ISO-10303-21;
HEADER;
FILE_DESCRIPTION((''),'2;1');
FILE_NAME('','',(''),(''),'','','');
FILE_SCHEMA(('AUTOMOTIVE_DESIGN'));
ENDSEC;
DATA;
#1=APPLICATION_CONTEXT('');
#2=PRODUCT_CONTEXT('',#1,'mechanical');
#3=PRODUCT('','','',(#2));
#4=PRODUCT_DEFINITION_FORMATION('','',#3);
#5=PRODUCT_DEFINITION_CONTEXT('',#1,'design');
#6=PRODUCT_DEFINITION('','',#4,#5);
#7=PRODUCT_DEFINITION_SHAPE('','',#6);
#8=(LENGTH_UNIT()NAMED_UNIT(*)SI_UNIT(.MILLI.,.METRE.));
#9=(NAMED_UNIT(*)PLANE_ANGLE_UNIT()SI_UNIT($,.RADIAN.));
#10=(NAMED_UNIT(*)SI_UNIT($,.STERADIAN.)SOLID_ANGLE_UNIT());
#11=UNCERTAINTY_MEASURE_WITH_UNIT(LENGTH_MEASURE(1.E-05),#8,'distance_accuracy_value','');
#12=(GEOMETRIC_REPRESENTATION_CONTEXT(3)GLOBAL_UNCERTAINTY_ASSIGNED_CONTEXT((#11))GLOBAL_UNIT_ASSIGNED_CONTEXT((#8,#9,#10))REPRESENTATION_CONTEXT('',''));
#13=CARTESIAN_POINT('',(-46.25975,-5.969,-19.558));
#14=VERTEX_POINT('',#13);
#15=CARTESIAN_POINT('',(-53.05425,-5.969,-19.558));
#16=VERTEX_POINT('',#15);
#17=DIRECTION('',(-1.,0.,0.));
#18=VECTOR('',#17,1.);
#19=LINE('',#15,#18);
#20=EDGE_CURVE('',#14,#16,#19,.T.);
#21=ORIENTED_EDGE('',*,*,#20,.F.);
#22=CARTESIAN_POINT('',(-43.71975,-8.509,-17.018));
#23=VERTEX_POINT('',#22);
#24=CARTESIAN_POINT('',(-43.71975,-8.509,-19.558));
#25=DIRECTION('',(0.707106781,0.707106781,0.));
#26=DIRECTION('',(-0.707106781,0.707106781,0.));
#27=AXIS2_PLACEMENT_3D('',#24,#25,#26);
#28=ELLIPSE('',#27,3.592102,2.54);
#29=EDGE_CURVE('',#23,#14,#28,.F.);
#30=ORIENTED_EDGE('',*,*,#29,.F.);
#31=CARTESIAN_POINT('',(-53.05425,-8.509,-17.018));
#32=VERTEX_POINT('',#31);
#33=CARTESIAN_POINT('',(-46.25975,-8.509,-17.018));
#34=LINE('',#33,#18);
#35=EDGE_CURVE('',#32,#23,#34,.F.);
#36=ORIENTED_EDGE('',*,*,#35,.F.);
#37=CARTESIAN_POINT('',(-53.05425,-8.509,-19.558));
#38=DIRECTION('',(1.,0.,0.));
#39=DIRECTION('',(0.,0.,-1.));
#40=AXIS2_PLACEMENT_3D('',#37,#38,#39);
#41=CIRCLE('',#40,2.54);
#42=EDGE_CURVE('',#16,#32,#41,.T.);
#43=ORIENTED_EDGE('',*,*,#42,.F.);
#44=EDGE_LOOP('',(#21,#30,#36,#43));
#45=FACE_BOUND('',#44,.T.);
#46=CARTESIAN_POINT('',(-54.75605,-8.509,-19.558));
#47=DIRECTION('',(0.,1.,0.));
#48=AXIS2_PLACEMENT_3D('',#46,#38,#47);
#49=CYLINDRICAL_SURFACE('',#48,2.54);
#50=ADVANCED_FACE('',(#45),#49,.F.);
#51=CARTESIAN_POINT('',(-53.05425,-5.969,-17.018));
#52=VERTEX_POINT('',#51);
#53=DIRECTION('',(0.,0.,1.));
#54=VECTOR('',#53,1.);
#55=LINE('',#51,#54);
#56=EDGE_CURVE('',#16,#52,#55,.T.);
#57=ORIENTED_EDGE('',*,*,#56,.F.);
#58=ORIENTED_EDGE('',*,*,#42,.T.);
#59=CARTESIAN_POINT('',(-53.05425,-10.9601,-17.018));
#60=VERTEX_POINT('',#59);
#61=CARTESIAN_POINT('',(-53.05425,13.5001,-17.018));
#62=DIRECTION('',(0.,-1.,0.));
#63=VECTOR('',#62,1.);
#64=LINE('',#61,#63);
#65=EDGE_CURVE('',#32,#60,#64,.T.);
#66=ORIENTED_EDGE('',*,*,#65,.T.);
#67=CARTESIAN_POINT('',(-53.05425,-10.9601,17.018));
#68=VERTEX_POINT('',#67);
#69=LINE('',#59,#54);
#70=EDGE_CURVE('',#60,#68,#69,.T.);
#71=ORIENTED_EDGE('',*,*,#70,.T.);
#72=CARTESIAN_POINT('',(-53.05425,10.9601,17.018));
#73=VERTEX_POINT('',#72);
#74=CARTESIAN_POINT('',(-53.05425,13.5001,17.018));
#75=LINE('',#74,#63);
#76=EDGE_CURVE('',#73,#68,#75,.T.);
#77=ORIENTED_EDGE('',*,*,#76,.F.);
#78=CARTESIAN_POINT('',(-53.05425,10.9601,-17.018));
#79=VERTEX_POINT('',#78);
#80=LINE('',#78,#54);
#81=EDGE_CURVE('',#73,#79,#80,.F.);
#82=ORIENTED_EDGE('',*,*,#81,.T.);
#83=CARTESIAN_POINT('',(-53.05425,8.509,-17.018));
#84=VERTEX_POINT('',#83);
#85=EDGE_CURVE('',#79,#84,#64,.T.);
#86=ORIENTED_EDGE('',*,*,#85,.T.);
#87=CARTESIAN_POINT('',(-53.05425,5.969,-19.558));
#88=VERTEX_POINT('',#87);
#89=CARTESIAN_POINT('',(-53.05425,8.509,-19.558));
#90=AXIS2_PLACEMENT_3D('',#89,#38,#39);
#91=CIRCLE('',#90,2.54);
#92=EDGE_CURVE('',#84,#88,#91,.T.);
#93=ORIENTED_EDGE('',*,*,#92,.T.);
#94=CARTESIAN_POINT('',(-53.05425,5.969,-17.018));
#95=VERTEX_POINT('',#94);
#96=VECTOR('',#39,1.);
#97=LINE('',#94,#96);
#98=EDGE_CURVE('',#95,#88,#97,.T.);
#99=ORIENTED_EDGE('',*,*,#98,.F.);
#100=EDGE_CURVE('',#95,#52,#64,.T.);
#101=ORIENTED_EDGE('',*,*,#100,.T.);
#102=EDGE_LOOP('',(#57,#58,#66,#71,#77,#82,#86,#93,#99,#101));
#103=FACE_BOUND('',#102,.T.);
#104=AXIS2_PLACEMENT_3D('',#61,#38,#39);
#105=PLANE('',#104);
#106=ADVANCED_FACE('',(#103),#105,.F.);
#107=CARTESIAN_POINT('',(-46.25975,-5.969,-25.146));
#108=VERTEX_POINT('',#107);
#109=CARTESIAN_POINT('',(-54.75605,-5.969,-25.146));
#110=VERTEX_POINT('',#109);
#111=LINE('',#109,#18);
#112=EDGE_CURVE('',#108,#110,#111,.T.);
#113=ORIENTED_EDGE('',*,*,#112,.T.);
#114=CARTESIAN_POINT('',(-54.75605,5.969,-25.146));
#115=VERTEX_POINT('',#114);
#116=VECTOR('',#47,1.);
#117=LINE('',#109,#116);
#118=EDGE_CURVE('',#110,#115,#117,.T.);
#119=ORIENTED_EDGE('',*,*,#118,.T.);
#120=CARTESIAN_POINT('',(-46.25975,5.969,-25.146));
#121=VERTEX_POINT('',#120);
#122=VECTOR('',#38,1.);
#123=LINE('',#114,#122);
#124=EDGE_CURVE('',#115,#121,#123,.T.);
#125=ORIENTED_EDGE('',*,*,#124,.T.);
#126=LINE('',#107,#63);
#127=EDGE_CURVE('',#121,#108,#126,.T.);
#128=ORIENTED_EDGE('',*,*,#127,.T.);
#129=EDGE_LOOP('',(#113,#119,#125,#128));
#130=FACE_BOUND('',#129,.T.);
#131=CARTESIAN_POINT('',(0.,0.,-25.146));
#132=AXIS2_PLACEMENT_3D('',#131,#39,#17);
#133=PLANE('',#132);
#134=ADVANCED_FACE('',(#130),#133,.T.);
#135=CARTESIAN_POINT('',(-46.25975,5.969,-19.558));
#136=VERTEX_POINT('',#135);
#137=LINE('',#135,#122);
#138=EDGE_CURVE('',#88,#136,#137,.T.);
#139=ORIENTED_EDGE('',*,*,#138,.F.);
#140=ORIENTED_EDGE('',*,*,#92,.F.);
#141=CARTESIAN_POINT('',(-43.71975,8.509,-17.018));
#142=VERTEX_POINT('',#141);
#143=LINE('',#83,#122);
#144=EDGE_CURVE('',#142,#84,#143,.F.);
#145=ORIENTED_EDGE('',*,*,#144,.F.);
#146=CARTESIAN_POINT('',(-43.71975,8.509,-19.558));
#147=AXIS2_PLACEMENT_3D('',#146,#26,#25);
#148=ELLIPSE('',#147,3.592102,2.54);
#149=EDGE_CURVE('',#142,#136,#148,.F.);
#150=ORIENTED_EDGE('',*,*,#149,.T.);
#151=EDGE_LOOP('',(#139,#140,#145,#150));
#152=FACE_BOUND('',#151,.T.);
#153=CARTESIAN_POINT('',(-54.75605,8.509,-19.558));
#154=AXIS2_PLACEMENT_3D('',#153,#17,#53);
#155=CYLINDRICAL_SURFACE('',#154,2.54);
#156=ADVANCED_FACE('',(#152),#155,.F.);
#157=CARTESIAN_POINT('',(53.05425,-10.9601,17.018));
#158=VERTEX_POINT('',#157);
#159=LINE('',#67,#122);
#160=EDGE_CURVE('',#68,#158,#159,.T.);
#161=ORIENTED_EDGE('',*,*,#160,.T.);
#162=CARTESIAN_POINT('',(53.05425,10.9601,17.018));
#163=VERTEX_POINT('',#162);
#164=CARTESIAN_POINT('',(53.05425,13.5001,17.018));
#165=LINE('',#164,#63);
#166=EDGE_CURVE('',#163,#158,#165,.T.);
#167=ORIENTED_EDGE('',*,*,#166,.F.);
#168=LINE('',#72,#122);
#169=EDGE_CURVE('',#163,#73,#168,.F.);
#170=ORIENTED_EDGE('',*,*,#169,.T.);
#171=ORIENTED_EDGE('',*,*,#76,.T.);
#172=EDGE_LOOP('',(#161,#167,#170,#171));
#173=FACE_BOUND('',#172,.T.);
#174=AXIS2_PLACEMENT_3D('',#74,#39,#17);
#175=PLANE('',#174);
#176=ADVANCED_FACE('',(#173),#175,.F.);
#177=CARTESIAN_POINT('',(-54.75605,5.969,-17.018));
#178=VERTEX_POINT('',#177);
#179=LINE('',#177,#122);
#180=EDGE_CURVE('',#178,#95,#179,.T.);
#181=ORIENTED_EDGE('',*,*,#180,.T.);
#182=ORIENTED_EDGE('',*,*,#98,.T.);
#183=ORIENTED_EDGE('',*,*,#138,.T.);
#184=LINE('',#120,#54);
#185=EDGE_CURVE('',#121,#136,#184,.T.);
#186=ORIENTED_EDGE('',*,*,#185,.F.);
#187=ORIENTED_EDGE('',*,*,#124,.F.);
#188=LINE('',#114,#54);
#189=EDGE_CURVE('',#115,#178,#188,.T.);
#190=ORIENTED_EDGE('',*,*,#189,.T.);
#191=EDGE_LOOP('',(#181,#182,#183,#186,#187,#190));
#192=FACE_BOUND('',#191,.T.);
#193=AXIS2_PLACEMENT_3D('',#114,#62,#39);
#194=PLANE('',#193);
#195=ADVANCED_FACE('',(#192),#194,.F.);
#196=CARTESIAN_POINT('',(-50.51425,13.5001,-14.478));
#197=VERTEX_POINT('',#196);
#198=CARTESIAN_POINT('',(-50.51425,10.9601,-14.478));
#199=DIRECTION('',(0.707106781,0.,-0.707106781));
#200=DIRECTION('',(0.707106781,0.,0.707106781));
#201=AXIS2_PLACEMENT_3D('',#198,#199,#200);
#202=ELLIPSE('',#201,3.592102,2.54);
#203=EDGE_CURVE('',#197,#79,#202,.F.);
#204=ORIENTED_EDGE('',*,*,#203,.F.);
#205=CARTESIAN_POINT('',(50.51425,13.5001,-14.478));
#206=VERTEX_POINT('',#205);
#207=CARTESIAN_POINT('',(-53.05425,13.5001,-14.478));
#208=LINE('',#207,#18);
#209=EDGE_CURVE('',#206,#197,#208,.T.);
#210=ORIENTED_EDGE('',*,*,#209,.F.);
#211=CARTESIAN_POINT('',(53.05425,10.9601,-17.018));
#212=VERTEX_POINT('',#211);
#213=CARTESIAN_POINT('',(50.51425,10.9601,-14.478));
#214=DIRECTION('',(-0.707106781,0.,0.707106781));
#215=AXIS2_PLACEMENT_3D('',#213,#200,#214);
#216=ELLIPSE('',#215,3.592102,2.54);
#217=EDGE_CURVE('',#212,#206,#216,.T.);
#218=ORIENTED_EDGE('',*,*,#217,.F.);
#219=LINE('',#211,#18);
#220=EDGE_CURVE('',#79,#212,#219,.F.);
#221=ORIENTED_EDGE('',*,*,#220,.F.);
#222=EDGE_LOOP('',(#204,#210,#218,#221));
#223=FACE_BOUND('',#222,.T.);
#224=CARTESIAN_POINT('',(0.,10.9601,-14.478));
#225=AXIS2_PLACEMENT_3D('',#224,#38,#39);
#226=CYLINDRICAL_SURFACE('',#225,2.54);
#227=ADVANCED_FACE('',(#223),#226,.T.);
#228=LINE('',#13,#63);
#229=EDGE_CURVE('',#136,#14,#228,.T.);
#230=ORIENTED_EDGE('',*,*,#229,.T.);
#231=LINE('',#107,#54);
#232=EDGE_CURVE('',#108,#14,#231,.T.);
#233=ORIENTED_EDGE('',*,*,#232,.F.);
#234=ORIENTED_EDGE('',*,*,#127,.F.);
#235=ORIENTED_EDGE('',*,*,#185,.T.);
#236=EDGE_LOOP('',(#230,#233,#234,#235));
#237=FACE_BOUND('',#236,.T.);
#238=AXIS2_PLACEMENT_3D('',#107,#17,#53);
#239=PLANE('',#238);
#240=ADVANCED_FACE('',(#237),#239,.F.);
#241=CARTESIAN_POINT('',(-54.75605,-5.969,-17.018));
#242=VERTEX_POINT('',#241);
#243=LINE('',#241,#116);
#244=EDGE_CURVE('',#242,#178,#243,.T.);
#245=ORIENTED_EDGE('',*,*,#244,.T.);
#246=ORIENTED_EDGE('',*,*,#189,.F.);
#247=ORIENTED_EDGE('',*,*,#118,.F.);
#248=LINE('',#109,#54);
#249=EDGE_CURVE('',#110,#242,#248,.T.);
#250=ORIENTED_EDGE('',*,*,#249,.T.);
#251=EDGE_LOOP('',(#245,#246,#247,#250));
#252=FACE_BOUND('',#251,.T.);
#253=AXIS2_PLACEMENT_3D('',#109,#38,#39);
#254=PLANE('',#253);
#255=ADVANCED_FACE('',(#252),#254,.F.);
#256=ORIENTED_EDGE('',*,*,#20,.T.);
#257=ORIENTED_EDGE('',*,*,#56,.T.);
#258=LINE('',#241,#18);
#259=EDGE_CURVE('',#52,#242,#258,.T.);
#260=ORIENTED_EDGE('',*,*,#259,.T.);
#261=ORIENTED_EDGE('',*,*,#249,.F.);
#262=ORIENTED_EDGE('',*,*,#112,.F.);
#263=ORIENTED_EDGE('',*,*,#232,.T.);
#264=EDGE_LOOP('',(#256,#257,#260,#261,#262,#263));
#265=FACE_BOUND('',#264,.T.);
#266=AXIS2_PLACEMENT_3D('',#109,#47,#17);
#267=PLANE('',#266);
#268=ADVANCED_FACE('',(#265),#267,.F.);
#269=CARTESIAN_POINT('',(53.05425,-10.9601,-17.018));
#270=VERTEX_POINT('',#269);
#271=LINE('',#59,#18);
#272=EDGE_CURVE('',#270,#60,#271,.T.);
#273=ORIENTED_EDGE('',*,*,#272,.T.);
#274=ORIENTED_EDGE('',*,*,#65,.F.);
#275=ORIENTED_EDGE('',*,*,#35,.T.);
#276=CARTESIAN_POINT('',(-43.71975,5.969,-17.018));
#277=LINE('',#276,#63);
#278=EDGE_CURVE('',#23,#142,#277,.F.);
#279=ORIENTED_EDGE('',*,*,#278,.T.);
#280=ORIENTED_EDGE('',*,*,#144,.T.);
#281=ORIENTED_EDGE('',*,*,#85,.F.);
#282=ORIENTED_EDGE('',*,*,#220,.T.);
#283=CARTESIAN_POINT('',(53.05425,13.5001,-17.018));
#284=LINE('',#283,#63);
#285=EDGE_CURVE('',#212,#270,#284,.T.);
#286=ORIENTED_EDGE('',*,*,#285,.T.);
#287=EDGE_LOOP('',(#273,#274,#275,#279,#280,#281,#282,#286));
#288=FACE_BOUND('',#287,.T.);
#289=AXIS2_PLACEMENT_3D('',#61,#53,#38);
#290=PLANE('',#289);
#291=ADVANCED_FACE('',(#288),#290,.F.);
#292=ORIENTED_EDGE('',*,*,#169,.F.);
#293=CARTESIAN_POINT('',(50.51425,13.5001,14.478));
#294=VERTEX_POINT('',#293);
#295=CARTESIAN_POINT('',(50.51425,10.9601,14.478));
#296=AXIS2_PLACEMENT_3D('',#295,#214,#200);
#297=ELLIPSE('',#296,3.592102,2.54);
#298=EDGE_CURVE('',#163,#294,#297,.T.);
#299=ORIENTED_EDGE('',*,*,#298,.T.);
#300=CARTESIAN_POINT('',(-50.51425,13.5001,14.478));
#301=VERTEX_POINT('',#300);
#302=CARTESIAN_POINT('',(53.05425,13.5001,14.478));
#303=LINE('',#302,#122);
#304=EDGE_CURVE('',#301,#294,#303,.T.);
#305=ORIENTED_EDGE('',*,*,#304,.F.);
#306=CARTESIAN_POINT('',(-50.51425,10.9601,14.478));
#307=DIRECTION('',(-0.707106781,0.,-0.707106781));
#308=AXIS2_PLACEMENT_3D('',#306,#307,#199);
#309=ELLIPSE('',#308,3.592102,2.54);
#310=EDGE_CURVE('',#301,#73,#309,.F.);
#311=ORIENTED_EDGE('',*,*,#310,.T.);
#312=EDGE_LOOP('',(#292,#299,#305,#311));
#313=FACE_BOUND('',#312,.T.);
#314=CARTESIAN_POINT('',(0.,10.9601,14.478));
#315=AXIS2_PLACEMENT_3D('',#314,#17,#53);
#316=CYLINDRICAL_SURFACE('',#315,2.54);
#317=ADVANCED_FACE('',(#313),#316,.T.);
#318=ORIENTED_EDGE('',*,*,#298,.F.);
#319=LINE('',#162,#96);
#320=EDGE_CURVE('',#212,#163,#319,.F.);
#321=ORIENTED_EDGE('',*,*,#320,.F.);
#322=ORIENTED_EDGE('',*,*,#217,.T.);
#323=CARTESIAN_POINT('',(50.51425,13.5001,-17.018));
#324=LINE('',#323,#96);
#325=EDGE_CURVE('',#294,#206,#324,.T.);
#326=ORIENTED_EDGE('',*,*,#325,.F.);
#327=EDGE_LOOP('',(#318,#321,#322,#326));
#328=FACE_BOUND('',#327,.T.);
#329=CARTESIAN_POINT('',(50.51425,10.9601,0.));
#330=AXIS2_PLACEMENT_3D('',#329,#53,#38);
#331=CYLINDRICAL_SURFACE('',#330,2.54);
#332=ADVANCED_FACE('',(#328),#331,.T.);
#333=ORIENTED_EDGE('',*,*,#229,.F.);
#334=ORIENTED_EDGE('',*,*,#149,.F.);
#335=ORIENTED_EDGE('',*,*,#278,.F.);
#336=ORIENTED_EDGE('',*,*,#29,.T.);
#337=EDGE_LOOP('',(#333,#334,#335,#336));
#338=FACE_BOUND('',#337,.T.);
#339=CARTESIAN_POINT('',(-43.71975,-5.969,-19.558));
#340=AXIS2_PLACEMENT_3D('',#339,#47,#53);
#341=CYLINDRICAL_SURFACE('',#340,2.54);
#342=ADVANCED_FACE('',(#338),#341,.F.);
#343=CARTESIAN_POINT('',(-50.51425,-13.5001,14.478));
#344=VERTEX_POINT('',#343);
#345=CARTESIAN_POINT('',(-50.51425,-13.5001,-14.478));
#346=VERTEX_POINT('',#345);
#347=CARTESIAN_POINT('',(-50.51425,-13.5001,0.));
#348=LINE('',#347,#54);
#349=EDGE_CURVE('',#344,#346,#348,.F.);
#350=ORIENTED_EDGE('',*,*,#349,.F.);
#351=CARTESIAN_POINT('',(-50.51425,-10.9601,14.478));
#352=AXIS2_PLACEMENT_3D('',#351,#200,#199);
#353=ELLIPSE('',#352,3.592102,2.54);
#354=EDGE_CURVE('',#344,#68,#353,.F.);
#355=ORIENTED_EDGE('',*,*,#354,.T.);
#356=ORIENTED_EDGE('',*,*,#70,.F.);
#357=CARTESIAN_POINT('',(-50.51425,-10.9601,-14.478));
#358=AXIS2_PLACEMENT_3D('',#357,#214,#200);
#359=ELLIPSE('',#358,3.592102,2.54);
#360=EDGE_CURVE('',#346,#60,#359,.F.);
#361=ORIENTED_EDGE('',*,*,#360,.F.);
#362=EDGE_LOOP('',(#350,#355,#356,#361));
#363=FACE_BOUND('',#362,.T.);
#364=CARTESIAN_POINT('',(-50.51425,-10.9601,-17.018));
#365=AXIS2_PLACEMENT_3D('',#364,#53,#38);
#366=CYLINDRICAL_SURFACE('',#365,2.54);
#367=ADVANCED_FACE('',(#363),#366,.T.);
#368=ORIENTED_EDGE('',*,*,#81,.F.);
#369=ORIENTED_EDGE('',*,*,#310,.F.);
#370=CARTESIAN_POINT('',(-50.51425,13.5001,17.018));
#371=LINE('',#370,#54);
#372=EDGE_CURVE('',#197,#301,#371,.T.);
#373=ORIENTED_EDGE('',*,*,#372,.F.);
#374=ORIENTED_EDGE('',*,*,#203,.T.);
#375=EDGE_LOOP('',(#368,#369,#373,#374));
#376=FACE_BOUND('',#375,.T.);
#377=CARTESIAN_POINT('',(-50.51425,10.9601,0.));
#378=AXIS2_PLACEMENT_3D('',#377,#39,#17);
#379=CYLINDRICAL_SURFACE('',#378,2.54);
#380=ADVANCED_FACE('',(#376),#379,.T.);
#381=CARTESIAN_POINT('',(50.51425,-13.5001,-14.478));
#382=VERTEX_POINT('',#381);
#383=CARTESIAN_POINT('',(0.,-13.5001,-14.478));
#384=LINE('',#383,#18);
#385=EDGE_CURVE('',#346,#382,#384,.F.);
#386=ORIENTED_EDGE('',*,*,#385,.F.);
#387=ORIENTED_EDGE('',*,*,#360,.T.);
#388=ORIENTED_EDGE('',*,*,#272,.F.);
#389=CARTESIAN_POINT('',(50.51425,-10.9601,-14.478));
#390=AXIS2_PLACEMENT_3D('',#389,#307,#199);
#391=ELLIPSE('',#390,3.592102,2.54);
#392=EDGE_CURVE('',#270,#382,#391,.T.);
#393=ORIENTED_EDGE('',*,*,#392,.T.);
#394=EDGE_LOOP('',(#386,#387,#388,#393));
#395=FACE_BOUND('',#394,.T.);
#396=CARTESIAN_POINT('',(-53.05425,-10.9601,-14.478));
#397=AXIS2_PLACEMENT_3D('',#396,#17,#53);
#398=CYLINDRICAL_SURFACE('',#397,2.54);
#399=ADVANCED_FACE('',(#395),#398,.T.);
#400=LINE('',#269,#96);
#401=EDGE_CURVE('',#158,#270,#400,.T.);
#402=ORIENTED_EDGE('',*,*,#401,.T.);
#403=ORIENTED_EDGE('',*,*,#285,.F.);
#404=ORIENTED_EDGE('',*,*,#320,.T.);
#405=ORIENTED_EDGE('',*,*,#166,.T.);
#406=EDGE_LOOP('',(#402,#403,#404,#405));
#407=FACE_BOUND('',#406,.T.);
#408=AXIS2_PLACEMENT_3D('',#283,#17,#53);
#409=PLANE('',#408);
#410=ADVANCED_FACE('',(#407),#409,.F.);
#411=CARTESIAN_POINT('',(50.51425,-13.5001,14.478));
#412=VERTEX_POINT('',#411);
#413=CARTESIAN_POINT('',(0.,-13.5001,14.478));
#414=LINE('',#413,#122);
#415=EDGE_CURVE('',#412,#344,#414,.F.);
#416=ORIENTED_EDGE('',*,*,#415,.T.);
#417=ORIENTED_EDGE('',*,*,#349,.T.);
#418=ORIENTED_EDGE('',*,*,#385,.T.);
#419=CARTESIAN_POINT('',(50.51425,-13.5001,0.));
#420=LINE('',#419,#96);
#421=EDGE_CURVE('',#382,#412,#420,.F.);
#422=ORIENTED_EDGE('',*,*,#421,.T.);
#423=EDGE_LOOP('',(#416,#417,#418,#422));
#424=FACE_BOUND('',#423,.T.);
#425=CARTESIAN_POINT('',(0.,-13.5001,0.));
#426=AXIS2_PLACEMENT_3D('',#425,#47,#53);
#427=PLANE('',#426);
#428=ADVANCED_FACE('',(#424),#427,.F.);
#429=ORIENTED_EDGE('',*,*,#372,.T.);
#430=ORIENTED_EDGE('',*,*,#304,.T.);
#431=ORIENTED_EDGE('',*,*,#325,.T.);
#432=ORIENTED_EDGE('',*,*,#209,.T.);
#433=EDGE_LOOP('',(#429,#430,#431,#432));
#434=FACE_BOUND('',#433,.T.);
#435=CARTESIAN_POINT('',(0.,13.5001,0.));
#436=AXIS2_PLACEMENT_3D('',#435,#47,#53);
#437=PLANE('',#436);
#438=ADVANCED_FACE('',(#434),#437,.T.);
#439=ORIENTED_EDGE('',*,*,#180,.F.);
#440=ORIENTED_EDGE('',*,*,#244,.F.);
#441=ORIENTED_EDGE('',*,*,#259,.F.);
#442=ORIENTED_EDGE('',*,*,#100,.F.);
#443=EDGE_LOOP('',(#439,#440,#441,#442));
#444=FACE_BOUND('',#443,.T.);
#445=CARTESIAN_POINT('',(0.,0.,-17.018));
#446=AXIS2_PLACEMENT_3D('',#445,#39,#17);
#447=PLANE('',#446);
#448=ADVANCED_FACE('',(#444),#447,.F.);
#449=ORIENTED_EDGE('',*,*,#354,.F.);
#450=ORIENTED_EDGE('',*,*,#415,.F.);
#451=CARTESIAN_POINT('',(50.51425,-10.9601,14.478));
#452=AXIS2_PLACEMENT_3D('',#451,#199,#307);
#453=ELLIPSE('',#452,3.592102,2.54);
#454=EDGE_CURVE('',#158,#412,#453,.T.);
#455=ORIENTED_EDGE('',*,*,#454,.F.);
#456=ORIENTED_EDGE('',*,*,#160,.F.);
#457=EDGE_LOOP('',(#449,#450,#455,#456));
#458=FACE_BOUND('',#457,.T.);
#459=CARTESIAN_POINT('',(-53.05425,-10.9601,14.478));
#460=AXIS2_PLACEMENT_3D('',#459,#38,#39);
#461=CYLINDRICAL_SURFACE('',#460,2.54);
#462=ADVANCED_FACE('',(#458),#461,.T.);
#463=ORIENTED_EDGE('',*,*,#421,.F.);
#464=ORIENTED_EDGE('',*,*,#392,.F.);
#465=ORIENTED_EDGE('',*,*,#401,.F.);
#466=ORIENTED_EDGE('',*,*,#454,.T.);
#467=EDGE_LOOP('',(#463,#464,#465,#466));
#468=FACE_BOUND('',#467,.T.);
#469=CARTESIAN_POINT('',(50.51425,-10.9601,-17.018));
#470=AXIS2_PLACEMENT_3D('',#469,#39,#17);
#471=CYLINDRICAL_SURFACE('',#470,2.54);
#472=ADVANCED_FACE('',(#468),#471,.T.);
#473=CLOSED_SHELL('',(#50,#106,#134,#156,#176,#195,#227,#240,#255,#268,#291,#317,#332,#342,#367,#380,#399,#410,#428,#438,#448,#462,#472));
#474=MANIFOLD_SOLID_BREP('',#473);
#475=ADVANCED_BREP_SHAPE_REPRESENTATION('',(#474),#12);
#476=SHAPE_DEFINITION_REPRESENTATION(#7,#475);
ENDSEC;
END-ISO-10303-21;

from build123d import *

# Parameters (mm, degrees)
SKETCH1_W           = 106.1085
SKETCH1_H           = 34.036
BOSS_EXTRUDE1_DEPTH = 13.5001
FILLET1_R           = 2.54
SKETCH4_W           = 8.4963
SKETCH4_H           = 11.938
BOSS_EXTRUDE2_DEPTH = 8.128
FILLET2_R           = 2.54


with BuildPart() as part:
    # Sketch1 → Boss-Extrude1 (new, symmetric)
    with BuildSketch(Plane(origin=(0, 0, 0), x_dir=(1, 0, 0), z_dir=(0, 1, 0))):
        Rectangle(SKETCH1_W, SKETCH1_H)
    extrude(amount=BOSS_EXTRUDE1_DEPTH, both=True)

    # Fillet1
    fillet1_edges = [part.edges().sort_by_distance(p)[0] for p in [
        (-53.05425, 13.5001, 0),
        (0, 13.5001, 17.018),
        (53.05425, 13.5001, 0),
        (0, -13.5001, 17.018),
        (-53.05425, -13.5001, 0),
        (0, -13.5001, -17.018),
        (53.05425, -13.5001, 0),
        (0, 13.5001, -17.018),
    ]]
    fillet(fillet1_edges, radius=FILLET1_R)

    # Sketch4 → Boss-Extrude2 (add)
    with BuildSketch(Plane(origin=(0, 0, -17.018), x_dir=(-1, 0, 0), z_dir=(0, 0, -1))):
        with Locations((50.5079, 0)):
            Rectangle(SKETCH4_W, SKETCH4_H)
    extrude(amount=BOSS_EXTRUDE2_DEPTH)

    # Fillet2
    fillet2_edges = [part.edges().sort_by_distance(p)[0] for p in [
        (-49.657, 5.969, -17.018),
        (-46.25975, 0, -17.018),
        (-49.657, -5.969, -17.018),
    ]]
    fillet(fillet2_edges, radius=FILLET2_R)


solid = part.part
